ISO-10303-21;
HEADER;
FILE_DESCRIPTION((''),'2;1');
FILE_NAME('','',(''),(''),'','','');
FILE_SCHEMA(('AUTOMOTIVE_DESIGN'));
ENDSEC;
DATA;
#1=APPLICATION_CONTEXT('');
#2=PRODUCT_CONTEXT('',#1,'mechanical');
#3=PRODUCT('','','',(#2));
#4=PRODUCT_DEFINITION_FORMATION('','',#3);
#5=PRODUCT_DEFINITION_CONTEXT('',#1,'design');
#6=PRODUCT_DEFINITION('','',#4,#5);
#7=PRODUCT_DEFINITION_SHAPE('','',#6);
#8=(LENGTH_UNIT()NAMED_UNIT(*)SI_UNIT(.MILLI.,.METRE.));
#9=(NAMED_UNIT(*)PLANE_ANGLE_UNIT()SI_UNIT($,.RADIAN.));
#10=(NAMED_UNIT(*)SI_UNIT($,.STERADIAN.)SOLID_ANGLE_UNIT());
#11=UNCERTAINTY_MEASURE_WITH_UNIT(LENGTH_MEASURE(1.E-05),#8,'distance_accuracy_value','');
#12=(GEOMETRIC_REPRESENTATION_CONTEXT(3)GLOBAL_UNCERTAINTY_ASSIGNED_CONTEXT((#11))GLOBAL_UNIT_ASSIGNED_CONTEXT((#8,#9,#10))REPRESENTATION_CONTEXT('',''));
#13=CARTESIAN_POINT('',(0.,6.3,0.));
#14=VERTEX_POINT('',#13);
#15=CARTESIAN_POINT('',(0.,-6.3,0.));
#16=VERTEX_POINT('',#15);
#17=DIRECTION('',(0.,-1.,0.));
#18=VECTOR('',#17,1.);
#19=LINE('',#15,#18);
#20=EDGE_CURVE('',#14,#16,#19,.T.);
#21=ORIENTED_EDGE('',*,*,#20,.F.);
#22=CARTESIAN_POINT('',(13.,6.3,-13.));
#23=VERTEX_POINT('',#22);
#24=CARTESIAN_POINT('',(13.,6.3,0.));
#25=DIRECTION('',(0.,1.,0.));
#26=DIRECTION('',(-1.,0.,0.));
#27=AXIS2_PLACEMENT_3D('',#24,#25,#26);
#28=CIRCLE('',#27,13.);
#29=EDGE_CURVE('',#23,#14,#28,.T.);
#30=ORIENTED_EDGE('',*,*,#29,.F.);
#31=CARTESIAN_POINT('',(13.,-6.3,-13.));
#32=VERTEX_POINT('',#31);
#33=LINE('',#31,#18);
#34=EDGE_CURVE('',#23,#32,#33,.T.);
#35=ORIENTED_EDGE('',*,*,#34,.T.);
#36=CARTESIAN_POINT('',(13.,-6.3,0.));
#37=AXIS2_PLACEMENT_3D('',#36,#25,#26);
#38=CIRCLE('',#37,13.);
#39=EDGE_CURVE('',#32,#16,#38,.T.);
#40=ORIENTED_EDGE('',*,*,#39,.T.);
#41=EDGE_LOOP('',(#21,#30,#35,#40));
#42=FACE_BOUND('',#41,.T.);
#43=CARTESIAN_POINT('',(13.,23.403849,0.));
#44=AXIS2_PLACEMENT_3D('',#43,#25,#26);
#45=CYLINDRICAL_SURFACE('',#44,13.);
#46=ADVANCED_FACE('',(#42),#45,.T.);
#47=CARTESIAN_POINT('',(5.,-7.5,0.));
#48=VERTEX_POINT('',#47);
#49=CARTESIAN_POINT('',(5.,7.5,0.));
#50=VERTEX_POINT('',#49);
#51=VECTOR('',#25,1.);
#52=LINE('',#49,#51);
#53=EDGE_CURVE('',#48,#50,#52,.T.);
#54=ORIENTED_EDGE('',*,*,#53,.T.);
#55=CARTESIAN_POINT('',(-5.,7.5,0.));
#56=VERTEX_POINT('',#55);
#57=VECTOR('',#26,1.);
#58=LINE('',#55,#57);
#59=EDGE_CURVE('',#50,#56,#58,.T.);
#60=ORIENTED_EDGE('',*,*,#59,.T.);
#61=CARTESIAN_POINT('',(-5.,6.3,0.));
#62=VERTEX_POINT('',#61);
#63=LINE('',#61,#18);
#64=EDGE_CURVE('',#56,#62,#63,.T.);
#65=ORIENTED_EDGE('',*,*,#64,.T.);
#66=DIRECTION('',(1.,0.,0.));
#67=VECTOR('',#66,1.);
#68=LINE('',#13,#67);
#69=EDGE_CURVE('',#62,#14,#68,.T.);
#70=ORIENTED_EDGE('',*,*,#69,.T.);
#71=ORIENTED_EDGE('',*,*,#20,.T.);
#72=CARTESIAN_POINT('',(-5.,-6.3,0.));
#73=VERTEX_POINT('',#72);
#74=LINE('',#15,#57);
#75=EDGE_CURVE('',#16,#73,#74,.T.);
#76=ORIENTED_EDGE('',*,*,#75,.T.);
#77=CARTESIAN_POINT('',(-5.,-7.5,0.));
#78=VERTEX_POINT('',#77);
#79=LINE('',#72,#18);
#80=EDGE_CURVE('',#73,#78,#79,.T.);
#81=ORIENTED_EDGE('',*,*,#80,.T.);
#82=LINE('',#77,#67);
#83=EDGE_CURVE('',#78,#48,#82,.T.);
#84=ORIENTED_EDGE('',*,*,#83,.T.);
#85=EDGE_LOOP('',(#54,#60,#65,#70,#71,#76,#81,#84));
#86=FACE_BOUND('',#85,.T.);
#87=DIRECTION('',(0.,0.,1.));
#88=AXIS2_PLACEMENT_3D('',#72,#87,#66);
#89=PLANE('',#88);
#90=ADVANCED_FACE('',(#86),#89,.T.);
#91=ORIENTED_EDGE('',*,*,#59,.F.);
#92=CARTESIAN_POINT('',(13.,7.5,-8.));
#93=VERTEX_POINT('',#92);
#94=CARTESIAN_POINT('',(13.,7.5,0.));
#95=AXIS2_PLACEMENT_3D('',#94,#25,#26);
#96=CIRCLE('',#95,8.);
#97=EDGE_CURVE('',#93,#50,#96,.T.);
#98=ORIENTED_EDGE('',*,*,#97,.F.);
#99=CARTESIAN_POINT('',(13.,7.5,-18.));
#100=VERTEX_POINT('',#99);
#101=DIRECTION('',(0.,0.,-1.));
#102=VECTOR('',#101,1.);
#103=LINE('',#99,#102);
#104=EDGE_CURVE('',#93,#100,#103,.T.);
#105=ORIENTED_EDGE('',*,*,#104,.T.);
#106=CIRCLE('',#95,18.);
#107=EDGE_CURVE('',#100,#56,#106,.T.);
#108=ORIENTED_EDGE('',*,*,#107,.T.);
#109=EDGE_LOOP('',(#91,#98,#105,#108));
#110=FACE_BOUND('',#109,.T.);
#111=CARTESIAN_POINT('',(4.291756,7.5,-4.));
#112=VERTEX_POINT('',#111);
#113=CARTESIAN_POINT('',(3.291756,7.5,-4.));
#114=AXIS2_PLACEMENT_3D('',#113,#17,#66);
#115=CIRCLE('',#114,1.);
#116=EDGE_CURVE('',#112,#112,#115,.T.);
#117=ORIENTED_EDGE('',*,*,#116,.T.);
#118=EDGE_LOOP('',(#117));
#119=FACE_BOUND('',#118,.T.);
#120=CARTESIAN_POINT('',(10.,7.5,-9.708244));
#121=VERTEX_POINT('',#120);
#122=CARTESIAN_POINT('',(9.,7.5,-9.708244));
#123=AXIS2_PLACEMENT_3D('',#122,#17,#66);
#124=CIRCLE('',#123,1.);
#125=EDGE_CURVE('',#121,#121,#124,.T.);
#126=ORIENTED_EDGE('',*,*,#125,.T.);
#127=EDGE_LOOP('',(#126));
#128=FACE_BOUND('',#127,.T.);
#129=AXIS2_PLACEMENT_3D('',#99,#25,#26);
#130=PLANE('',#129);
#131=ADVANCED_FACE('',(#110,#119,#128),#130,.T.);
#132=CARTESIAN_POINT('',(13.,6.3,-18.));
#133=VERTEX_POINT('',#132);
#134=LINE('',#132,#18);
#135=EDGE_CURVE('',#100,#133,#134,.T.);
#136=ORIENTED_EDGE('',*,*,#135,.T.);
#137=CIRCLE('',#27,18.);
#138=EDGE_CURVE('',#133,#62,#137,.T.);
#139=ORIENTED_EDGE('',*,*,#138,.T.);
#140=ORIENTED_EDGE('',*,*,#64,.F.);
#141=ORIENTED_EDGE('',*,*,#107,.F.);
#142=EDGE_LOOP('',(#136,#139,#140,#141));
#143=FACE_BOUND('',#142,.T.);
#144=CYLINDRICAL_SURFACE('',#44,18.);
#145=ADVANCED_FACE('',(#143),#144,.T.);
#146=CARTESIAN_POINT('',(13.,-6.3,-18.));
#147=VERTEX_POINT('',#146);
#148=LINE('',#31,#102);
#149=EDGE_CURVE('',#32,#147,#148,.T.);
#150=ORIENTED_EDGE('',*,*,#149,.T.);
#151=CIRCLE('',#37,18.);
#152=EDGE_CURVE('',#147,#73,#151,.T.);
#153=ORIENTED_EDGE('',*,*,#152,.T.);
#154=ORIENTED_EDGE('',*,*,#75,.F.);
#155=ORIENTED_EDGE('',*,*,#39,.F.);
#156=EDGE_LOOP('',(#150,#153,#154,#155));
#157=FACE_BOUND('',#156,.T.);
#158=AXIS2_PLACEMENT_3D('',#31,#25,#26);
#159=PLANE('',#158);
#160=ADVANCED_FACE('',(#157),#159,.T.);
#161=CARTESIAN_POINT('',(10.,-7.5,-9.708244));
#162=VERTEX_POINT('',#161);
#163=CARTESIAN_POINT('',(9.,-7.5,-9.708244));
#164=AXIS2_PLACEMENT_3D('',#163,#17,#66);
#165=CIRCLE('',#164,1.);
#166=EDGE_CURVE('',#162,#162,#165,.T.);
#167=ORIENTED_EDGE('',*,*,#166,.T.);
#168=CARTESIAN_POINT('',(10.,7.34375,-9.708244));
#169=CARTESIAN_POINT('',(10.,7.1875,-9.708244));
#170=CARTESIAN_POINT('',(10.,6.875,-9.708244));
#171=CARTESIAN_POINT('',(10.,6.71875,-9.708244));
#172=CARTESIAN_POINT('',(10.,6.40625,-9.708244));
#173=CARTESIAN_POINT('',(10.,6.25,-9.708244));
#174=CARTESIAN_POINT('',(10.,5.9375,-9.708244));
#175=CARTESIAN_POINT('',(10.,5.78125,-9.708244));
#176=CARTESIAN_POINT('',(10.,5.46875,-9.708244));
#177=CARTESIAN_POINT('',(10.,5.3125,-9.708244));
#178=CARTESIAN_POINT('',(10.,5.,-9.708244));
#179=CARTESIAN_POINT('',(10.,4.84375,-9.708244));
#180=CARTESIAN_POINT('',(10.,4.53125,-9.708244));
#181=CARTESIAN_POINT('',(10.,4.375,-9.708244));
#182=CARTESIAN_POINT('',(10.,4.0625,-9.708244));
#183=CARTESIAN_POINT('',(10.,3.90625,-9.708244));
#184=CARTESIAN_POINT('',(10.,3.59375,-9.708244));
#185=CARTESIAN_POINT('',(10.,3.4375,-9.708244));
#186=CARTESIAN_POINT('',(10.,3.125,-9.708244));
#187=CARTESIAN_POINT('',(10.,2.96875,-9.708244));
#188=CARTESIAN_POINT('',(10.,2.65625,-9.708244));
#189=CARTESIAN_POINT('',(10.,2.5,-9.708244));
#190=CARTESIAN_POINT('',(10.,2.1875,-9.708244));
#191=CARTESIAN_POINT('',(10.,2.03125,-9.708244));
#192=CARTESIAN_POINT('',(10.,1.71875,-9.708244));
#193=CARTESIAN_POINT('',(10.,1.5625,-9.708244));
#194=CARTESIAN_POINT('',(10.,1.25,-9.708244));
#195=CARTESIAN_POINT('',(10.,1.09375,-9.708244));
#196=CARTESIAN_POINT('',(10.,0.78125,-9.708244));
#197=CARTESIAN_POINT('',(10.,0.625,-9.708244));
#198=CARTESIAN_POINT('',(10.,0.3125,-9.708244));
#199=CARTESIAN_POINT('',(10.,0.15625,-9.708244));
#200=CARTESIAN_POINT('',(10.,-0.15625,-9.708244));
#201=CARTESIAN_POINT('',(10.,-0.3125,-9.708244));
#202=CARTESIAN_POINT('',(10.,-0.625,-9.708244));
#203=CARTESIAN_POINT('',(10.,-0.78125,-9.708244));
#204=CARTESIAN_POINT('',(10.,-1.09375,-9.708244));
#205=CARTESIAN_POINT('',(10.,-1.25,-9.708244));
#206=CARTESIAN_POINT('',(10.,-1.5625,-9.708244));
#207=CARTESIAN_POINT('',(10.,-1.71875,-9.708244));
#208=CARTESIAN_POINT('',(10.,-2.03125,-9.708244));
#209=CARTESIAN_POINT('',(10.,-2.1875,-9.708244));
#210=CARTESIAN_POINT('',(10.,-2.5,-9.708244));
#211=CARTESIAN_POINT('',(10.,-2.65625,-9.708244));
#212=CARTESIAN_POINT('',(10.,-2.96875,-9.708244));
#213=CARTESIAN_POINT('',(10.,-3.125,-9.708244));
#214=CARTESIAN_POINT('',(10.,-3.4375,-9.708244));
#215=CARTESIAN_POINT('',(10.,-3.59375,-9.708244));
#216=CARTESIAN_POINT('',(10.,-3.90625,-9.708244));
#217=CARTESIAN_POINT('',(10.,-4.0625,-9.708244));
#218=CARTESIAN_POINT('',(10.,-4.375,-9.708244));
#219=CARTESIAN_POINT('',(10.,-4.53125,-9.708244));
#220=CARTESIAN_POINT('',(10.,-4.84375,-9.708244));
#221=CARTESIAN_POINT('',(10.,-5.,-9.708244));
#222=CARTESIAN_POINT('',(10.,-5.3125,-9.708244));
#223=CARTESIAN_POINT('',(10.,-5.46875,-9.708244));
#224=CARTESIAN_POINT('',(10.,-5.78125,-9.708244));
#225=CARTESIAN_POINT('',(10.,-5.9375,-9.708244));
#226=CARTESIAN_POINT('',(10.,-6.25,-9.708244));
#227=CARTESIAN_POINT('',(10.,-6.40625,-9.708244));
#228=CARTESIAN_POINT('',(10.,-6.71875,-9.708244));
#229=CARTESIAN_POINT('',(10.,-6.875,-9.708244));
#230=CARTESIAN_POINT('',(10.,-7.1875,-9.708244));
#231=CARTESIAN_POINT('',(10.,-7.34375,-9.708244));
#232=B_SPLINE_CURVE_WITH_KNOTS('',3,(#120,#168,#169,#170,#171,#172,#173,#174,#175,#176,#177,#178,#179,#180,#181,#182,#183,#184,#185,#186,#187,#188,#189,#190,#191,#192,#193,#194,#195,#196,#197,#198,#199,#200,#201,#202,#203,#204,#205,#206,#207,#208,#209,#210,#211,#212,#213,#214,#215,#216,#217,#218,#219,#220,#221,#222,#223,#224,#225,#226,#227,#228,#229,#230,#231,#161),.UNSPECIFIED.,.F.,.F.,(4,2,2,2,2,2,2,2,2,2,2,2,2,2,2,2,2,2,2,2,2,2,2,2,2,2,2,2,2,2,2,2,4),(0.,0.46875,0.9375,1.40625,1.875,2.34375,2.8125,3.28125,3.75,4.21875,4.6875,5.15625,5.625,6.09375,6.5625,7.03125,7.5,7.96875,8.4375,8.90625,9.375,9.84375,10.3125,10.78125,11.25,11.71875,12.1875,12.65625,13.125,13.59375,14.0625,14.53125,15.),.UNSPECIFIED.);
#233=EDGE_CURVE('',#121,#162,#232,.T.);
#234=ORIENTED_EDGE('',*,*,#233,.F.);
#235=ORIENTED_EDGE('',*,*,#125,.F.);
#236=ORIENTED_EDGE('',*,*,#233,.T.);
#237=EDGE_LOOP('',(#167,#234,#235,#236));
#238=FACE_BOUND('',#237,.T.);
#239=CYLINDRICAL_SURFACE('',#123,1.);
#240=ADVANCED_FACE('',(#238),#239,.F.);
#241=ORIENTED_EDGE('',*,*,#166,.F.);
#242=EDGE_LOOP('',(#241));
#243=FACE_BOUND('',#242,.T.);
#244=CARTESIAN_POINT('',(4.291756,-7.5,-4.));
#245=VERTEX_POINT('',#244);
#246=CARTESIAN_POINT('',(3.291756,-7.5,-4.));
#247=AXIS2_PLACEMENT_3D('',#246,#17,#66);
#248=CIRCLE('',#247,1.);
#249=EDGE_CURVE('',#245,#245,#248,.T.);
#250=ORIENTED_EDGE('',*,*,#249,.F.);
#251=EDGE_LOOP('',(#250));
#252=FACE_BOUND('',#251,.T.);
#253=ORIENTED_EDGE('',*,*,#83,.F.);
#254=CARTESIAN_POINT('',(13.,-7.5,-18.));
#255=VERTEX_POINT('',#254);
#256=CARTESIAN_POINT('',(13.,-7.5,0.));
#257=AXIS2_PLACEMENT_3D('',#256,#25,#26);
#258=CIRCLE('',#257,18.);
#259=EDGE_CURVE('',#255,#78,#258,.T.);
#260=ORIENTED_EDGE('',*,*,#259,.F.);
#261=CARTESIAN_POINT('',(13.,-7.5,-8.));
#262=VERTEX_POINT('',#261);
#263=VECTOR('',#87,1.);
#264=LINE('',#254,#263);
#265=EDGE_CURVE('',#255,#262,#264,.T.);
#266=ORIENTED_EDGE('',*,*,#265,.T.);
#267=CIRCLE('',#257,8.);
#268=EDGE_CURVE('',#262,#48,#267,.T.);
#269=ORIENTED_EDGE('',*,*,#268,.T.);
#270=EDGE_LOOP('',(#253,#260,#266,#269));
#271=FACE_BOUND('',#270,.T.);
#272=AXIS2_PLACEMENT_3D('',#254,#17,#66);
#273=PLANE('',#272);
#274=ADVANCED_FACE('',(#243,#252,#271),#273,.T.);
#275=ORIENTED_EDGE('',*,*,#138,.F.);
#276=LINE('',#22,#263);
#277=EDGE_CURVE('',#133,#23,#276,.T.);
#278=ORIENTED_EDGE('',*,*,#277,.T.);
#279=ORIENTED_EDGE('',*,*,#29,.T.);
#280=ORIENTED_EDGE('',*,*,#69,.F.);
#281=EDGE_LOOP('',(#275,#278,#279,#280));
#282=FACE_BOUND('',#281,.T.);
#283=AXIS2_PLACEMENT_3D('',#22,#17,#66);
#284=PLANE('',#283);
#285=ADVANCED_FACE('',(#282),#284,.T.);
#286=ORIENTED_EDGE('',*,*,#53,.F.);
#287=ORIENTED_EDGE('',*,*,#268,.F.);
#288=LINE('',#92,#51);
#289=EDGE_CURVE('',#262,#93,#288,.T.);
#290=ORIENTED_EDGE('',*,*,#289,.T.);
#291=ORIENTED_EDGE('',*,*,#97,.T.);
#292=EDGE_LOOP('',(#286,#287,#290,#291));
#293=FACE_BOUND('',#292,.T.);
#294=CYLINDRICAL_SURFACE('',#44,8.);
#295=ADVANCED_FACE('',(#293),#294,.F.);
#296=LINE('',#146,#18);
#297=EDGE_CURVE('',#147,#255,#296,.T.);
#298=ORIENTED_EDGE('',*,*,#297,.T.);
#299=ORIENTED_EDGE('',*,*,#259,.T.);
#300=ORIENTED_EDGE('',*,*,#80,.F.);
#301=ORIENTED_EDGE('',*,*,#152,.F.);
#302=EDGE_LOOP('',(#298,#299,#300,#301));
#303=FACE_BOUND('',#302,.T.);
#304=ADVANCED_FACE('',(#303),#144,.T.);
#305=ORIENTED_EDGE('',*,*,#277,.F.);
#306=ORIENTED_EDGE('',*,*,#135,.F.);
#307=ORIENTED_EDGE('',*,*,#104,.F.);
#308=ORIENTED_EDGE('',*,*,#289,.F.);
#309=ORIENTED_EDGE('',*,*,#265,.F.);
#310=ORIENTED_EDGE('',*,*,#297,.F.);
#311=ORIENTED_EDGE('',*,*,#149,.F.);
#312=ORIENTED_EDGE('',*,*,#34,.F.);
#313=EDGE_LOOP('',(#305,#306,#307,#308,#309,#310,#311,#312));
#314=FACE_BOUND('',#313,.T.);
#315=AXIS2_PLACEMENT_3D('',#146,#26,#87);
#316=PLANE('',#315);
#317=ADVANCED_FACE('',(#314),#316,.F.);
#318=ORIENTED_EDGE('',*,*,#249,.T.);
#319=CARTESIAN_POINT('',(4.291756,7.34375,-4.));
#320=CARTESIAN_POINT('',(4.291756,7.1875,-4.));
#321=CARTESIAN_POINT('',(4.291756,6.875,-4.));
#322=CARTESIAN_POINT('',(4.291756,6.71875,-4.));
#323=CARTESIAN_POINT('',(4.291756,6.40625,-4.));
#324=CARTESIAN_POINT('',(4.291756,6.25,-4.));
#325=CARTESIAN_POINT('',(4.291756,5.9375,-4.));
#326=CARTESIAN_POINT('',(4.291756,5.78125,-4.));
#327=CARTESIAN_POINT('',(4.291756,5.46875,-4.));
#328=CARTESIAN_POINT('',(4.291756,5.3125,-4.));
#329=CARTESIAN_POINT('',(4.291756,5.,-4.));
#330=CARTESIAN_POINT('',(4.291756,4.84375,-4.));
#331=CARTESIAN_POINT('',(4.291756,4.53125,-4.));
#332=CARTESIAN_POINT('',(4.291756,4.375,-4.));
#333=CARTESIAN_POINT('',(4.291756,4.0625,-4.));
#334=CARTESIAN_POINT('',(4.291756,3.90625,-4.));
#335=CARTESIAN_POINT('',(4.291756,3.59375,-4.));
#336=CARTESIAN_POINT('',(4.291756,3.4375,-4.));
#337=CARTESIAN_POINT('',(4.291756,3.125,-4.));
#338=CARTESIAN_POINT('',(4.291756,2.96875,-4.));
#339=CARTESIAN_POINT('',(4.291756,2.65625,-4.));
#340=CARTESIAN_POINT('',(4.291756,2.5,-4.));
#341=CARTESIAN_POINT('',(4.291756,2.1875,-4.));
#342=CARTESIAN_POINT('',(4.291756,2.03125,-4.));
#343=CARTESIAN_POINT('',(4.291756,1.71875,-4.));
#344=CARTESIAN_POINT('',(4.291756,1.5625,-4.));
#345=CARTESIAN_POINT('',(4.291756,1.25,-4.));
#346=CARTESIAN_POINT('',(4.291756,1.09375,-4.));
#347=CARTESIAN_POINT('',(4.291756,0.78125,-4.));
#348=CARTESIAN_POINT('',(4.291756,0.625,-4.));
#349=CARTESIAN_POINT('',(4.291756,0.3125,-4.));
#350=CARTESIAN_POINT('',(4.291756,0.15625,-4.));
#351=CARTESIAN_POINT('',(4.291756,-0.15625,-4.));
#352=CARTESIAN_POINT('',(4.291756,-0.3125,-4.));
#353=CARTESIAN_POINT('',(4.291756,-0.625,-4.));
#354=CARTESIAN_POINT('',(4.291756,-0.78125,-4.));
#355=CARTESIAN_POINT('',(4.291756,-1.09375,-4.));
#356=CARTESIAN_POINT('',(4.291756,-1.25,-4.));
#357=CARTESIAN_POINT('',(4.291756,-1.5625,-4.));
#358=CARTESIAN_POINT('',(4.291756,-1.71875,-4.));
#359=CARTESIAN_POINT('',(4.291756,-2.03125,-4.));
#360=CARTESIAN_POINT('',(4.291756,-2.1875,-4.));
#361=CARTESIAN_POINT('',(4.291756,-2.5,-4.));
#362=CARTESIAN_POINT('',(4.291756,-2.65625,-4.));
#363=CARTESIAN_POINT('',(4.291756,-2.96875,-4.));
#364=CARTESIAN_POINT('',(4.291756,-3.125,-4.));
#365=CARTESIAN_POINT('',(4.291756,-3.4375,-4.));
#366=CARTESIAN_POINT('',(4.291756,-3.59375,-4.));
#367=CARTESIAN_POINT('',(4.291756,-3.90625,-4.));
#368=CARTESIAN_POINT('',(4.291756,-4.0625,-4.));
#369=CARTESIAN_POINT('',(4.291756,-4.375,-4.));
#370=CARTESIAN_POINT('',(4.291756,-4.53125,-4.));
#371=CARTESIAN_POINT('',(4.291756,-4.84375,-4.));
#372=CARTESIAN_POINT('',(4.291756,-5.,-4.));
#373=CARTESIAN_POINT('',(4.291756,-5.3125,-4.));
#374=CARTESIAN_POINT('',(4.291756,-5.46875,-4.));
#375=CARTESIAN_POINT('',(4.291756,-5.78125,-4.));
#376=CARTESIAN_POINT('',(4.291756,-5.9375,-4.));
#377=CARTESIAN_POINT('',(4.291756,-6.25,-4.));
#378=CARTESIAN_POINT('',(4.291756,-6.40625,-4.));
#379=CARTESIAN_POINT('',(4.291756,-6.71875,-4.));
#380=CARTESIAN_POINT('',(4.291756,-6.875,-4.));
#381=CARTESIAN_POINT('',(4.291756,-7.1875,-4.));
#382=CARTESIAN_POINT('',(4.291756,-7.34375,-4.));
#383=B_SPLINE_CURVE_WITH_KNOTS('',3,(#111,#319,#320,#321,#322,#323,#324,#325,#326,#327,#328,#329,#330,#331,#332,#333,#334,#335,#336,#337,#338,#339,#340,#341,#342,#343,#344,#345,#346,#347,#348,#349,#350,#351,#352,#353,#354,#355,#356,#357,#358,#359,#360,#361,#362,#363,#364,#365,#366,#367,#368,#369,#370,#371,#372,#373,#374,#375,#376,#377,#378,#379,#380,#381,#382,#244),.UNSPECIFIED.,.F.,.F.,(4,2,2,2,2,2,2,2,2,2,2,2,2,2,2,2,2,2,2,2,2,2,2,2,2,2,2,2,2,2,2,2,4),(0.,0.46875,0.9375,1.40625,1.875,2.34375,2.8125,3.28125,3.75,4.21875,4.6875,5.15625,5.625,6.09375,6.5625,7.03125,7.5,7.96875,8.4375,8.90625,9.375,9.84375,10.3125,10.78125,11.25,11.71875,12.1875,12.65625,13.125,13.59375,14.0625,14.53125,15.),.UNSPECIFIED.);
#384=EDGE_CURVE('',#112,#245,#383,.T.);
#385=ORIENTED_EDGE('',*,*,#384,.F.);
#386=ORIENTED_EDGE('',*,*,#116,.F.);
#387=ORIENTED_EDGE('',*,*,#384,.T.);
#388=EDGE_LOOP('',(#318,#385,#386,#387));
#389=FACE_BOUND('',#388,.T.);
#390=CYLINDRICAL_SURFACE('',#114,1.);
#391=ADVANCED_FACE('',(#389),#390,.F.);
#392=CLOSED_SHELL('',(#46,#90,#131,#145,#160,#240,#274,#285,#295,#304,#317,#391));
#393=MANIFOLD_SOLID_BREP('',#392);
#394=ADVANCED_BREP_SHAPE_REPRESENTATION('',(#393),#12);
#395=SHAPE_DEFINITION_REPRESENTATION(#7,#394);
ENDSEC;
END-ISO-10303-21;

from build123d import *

# Parameters (mm, degrees)
REVOLVE_1_ANGLE     = 90
SKETCH_2_R          = 1
CUT_EXTRUDE_1_DEPTH = 27.795522014


with BuildPart() as part:
    # 草图1 → 旋转1 (revolve)
    with BuildSketch(Plane.XY):
        Polygon((-5, 7.5), (5, 7.5), (5, -7.5), (-5, -7.5), (-5, -6.3), (0, -6.3), (0, 6.3), (-5, 6.3), align=None)
    revolve(axis=Axis((13, 23.403849413, 0), (0, -1, 0)), revolution_arc=REVOLVE_1_ANGLE)

    # 草图2 → 切除-拉伸1 (cut, through all)
    with BuildSketch(Plane.XZ.offset(7.5)):
        with Locations((3.291756081, -4)):
            Circle(SKETCH_2_R)
        with Locations((9, -9.708243919)):
            Circle(SKETCH_2_R)
    extrude(amount=-CUT_EXTRUDE_1_DEPTH, mode=Mode.SUBTRACT)


solid = part.part
